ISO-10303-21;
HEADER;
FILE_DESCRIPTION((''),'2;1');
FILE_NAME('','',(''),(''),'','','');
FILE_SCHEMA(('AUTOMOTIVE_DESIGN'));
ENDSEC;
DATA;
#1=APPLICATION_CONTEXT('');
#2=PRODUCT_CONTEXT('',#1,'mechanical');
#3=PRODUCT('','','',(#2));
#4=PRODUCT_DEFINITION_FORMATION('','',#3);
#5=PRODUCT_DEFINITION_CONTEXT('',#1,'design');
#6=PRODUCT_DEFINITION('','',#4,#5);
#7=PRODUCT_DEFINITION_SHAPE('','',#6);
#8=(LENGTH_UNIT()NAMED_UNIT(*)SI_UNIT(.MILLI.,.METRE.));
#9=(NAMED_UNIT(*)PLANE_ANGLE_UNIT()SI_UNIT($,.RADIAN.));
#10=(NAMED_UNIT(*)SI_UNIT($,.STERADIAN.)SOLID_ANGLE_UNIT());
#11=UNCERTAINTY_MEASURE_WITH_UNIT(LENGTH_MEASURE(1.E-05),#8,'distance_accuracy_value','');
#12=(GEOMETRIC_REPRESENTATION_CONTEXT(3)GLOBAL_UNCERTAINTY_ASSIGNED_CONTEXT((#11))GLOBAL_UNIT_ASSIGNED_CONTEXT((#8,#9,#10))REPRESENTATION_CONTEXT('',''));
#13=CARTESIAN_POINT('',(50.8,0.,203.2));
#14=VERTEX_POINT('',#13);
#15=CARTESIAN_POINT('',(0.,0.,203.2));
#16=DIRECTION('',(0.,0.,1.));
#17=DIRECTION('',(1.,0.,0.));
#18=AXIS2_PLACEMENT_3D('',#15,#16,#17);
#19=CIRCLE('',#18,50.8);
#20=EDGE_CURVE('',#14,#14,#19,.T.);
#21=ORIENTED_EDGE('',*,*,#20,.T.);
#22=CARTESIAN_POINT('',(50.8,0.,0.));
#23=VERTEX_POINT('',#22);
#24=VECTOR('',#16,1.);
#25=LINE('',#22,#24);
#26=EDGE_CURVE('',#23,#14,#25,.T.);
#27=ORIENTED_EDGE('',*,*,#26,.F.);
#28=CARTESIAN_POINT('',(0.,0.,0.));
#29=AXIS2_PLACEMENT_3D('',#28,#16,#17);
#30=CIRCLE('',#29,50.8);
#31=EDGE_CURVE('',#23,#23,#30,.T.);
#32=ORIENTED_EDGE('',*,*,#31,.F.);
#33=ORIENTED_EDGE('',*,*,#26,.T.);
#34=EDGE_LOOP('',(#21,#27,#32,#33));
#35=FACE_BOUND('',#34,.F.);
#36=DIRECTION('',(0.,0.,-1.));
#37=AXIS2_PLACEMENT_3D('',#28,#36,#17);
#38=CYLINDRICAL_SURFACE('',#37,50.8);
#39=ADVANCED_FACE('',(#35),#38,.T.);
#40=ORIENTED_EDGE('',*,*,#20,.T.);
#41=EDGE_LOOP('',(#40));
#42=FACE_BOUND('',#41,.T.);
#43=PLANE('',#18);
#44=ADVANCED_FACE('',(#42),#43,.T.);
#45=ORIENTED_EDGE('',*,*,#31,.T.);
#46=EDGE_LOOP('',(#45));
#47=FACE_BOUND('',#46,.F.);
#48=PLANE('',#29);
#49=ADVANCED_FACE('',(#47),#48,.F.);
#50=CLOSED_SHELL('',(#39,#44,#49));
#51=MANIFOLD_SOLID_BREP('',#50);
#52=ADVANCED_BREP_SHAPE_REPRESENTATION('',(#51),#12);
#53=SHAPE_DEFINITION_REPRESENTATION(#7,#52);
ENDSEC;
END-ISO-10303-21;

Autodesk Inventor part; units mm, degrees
ref_plane "YZ Plane" through (0, 0, 0) normal (1, 0, 0) x (0, 1, 0)
ref_plane "XZ Plane" through (0, 0, 0) normal (0, 1, 0) x (-1, 0, 0)
ref_plane "XY Plane" through (0, 0, 0) normal (0, 0, 1) x (1, 0, 0)
sketch "Sketch1" plane through (0, 0, 0) normal (0, 0, 1) x (1, 0, 0)
  circle A0 centre (0, 0) radius 50.8
  dimension "d0" = 101.6
extrude "Extrusion1" add sketch "Sketch1" along normal blind 203.2
properties part number "Shooter Roller 20160126"
